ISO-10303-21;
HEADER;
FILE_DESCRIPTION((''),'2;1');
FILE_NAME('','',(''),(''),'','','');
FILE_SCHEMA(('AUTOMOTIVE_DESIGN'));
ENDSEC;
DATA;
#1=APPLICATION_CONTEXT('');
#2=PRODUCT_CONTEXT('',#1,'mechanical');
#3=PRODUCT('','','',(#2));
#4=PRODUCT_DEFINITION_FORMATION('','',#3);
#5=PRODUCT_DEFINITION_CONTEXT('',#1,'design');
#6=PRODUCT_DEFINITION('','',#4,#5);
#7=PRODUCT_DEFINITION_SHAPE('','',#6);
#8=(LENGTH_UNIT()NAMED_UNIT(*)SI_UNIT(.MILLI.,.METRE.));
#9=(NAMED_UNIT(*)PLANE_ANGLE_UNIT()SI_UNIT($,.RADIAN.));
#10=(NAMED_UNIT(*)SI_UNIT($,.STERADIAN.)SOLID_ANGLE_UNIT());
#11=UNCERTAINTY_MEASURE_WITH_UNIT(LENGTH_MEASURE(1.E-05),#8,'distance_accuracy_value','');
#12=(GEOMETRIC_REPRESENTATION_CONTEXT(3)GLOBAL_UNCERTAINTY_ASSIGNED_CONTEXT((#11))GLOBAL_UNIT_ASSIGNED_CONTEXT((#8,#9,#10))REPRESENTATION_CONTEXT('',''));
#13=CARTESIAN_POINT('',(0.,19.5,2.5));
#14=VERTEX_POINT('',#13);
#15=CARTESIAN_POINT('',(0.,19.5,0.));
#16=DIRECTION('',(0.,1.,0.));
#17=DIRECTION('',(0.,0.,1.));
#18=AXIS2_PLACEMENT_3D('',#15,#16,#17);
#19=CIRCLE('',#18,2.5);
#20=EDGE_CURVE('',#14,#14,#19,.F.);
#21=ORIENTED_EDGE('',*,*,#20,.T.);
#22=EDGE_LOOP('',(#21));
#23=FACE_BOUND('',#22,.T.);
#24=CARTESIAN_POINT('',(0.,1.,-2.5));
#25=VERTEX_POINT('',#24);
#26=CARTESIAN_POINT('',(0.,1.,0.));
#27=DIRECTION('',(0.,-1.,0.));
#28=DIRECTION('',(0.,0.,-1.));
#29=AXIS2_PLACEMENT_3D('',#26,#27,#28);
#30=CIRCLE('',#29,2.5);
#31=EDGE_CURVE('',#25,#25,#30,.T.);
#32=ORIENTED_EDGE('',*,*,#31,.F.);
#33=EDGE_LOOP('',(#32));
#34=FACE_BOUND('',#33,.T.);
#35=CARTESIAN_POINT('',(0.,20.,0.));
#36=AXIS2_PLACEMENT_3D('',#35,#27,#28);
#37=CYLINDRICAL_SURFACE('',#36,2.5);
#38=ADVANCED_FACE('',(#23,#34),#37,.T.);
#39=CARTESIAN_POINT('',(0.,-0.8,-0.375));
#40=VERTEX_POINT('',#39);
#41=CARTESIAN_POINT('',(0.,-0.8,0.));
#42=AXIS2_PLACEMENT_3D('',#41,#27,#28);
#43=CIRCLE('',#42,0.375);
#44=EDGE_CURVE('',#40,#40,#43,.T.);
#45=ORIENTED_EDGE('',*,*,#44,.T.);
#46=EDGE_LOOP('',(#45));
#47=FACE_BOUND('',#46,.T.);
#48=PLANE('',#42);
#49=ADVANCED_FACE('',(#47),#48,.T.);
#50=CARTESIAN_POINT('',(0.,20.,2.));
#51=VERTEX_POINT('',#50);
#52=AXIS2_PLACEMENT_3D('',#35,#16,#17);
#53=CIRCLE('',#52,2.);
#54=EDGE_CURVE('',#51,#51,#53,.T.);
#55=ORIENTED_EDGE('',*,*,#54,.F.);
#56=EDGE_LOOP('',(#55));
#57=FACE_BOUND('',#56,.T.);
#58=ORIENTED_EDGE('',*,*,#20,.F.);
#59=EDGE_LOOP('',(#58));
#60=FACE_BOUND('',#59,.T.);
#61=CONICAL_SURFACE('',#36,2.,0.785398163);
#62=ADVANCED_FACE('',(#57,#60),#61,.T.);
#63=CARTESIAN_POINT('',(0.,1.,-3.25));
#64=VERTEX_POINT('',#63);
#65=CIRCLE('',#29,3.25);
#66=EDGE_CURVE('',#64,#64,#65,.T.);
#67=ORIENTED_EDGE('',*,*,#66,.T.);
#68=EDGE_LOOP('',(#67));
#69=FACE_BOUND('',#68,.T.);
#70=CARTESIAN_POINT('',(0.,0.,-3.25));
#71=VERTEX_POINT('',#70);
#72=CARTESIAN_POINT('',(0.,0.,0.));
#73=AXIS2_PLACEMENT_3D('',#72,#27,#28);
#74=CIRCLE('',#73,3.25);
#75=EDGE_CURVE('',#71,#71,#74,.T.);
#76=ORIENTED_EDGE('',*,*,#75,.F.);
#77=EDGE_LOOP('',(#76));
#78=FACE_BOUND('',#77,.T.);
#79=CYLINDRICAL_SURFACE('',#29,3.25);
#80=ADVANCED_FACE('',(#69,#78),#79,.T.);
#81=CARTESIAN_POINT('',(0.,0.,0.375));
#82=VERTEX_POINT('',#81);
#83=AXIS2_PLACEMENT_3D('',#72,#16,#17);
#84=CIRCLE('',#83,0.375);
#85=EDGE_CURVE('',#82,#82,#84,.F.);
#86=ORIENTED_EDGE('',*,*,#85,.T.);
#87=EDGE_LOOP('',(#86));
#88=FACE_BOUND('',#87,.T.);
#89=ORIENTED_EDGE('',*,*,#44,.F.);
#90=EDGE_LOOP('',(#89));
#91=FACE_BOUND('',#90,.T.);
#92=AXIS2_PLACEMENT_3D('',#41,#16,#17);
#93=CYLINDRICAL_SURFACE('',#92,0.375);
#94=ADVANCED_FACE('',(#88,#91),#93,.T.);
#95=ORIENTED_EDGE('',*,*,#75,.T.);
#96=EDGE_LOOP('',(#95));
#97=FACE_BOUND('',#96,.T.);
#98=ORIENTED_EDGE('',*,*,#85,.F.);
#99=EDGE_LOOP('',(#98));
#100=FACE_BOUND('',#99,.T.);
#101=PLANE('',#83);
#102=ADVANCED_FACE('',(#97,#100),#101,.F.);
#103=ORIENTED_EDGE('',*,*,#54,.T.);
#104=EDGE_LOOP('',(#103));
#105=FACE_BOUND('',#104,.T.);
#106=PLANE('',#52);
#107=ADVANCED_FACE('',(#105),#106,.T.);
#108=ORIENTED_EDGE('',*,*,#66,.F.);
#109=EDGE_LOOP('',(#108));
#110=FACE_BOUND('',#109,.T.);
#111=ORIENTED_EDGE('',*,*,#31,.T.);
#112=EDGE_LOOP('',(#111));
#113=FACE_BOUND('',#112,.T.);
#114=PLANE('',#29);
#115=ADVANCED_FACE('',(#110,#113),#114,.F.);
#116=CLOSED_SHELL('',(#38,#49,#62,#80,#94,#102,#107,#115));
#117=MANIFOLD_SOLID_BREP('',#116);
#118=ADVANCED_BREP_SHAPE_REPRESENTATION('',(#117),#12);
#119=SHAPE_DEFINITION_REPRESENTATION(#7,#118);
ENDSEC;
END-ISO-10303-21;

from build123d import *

# Parameters (mm, degrees)
SKETCH_1_R      = 2.5
EXTRUDE_1_DEPTH = 20
CHAMFER_1_SIZE  = 0.5
SKETCH_2_R      = 3.25
EXTRUDE_2_DEPTH = 1
SKETCH_3_R      = 0.375
EXTRUDE_3_DEPTH = 0.8


with BuildPart() as part:
    # Эскиз1 → Вытянуть1 (new body)
    with BuildSketch(Plane(origin=(0, 0, 0), x_dir=(1, 0, 0), z_dir=(0, 1, 0))):
        with Locations(Location((0, 0, 0), (0, 0, 270))):
            Circle(SKETCH_1_R)
    extrude(amount=EXTRUDE_1_DEPTH)

    # Фаска1
    chamfer_1_edges = [part.edges().sort_by_distance(p)[0] for p in [
        (0, 20, -2.5),
    ]]
    chamfer(chamfer_1_edges, length=CHAMFER_1_SIZE)

    # Эскиз2 → Вытянуть2 (add)
    with BuildSketch(Plane.XZ):
        with Locations(Location((0, 0, 0), (0, 0, 270))):
            Circle(SKETCH_2_R)
    extrude(amount=-EXTRUDE_2_DEPTH)

    # Эскиз3 → Вытянуть3 (add)
    with BuildSketch(Plane.XZ):
        with Locations(Location((0, 0, 0), (0, 0, 90))):
            Circle(SKETCH_3_R)
    extrude(amount=EXTRUDE_3_DEPTH)


solid = part.part
